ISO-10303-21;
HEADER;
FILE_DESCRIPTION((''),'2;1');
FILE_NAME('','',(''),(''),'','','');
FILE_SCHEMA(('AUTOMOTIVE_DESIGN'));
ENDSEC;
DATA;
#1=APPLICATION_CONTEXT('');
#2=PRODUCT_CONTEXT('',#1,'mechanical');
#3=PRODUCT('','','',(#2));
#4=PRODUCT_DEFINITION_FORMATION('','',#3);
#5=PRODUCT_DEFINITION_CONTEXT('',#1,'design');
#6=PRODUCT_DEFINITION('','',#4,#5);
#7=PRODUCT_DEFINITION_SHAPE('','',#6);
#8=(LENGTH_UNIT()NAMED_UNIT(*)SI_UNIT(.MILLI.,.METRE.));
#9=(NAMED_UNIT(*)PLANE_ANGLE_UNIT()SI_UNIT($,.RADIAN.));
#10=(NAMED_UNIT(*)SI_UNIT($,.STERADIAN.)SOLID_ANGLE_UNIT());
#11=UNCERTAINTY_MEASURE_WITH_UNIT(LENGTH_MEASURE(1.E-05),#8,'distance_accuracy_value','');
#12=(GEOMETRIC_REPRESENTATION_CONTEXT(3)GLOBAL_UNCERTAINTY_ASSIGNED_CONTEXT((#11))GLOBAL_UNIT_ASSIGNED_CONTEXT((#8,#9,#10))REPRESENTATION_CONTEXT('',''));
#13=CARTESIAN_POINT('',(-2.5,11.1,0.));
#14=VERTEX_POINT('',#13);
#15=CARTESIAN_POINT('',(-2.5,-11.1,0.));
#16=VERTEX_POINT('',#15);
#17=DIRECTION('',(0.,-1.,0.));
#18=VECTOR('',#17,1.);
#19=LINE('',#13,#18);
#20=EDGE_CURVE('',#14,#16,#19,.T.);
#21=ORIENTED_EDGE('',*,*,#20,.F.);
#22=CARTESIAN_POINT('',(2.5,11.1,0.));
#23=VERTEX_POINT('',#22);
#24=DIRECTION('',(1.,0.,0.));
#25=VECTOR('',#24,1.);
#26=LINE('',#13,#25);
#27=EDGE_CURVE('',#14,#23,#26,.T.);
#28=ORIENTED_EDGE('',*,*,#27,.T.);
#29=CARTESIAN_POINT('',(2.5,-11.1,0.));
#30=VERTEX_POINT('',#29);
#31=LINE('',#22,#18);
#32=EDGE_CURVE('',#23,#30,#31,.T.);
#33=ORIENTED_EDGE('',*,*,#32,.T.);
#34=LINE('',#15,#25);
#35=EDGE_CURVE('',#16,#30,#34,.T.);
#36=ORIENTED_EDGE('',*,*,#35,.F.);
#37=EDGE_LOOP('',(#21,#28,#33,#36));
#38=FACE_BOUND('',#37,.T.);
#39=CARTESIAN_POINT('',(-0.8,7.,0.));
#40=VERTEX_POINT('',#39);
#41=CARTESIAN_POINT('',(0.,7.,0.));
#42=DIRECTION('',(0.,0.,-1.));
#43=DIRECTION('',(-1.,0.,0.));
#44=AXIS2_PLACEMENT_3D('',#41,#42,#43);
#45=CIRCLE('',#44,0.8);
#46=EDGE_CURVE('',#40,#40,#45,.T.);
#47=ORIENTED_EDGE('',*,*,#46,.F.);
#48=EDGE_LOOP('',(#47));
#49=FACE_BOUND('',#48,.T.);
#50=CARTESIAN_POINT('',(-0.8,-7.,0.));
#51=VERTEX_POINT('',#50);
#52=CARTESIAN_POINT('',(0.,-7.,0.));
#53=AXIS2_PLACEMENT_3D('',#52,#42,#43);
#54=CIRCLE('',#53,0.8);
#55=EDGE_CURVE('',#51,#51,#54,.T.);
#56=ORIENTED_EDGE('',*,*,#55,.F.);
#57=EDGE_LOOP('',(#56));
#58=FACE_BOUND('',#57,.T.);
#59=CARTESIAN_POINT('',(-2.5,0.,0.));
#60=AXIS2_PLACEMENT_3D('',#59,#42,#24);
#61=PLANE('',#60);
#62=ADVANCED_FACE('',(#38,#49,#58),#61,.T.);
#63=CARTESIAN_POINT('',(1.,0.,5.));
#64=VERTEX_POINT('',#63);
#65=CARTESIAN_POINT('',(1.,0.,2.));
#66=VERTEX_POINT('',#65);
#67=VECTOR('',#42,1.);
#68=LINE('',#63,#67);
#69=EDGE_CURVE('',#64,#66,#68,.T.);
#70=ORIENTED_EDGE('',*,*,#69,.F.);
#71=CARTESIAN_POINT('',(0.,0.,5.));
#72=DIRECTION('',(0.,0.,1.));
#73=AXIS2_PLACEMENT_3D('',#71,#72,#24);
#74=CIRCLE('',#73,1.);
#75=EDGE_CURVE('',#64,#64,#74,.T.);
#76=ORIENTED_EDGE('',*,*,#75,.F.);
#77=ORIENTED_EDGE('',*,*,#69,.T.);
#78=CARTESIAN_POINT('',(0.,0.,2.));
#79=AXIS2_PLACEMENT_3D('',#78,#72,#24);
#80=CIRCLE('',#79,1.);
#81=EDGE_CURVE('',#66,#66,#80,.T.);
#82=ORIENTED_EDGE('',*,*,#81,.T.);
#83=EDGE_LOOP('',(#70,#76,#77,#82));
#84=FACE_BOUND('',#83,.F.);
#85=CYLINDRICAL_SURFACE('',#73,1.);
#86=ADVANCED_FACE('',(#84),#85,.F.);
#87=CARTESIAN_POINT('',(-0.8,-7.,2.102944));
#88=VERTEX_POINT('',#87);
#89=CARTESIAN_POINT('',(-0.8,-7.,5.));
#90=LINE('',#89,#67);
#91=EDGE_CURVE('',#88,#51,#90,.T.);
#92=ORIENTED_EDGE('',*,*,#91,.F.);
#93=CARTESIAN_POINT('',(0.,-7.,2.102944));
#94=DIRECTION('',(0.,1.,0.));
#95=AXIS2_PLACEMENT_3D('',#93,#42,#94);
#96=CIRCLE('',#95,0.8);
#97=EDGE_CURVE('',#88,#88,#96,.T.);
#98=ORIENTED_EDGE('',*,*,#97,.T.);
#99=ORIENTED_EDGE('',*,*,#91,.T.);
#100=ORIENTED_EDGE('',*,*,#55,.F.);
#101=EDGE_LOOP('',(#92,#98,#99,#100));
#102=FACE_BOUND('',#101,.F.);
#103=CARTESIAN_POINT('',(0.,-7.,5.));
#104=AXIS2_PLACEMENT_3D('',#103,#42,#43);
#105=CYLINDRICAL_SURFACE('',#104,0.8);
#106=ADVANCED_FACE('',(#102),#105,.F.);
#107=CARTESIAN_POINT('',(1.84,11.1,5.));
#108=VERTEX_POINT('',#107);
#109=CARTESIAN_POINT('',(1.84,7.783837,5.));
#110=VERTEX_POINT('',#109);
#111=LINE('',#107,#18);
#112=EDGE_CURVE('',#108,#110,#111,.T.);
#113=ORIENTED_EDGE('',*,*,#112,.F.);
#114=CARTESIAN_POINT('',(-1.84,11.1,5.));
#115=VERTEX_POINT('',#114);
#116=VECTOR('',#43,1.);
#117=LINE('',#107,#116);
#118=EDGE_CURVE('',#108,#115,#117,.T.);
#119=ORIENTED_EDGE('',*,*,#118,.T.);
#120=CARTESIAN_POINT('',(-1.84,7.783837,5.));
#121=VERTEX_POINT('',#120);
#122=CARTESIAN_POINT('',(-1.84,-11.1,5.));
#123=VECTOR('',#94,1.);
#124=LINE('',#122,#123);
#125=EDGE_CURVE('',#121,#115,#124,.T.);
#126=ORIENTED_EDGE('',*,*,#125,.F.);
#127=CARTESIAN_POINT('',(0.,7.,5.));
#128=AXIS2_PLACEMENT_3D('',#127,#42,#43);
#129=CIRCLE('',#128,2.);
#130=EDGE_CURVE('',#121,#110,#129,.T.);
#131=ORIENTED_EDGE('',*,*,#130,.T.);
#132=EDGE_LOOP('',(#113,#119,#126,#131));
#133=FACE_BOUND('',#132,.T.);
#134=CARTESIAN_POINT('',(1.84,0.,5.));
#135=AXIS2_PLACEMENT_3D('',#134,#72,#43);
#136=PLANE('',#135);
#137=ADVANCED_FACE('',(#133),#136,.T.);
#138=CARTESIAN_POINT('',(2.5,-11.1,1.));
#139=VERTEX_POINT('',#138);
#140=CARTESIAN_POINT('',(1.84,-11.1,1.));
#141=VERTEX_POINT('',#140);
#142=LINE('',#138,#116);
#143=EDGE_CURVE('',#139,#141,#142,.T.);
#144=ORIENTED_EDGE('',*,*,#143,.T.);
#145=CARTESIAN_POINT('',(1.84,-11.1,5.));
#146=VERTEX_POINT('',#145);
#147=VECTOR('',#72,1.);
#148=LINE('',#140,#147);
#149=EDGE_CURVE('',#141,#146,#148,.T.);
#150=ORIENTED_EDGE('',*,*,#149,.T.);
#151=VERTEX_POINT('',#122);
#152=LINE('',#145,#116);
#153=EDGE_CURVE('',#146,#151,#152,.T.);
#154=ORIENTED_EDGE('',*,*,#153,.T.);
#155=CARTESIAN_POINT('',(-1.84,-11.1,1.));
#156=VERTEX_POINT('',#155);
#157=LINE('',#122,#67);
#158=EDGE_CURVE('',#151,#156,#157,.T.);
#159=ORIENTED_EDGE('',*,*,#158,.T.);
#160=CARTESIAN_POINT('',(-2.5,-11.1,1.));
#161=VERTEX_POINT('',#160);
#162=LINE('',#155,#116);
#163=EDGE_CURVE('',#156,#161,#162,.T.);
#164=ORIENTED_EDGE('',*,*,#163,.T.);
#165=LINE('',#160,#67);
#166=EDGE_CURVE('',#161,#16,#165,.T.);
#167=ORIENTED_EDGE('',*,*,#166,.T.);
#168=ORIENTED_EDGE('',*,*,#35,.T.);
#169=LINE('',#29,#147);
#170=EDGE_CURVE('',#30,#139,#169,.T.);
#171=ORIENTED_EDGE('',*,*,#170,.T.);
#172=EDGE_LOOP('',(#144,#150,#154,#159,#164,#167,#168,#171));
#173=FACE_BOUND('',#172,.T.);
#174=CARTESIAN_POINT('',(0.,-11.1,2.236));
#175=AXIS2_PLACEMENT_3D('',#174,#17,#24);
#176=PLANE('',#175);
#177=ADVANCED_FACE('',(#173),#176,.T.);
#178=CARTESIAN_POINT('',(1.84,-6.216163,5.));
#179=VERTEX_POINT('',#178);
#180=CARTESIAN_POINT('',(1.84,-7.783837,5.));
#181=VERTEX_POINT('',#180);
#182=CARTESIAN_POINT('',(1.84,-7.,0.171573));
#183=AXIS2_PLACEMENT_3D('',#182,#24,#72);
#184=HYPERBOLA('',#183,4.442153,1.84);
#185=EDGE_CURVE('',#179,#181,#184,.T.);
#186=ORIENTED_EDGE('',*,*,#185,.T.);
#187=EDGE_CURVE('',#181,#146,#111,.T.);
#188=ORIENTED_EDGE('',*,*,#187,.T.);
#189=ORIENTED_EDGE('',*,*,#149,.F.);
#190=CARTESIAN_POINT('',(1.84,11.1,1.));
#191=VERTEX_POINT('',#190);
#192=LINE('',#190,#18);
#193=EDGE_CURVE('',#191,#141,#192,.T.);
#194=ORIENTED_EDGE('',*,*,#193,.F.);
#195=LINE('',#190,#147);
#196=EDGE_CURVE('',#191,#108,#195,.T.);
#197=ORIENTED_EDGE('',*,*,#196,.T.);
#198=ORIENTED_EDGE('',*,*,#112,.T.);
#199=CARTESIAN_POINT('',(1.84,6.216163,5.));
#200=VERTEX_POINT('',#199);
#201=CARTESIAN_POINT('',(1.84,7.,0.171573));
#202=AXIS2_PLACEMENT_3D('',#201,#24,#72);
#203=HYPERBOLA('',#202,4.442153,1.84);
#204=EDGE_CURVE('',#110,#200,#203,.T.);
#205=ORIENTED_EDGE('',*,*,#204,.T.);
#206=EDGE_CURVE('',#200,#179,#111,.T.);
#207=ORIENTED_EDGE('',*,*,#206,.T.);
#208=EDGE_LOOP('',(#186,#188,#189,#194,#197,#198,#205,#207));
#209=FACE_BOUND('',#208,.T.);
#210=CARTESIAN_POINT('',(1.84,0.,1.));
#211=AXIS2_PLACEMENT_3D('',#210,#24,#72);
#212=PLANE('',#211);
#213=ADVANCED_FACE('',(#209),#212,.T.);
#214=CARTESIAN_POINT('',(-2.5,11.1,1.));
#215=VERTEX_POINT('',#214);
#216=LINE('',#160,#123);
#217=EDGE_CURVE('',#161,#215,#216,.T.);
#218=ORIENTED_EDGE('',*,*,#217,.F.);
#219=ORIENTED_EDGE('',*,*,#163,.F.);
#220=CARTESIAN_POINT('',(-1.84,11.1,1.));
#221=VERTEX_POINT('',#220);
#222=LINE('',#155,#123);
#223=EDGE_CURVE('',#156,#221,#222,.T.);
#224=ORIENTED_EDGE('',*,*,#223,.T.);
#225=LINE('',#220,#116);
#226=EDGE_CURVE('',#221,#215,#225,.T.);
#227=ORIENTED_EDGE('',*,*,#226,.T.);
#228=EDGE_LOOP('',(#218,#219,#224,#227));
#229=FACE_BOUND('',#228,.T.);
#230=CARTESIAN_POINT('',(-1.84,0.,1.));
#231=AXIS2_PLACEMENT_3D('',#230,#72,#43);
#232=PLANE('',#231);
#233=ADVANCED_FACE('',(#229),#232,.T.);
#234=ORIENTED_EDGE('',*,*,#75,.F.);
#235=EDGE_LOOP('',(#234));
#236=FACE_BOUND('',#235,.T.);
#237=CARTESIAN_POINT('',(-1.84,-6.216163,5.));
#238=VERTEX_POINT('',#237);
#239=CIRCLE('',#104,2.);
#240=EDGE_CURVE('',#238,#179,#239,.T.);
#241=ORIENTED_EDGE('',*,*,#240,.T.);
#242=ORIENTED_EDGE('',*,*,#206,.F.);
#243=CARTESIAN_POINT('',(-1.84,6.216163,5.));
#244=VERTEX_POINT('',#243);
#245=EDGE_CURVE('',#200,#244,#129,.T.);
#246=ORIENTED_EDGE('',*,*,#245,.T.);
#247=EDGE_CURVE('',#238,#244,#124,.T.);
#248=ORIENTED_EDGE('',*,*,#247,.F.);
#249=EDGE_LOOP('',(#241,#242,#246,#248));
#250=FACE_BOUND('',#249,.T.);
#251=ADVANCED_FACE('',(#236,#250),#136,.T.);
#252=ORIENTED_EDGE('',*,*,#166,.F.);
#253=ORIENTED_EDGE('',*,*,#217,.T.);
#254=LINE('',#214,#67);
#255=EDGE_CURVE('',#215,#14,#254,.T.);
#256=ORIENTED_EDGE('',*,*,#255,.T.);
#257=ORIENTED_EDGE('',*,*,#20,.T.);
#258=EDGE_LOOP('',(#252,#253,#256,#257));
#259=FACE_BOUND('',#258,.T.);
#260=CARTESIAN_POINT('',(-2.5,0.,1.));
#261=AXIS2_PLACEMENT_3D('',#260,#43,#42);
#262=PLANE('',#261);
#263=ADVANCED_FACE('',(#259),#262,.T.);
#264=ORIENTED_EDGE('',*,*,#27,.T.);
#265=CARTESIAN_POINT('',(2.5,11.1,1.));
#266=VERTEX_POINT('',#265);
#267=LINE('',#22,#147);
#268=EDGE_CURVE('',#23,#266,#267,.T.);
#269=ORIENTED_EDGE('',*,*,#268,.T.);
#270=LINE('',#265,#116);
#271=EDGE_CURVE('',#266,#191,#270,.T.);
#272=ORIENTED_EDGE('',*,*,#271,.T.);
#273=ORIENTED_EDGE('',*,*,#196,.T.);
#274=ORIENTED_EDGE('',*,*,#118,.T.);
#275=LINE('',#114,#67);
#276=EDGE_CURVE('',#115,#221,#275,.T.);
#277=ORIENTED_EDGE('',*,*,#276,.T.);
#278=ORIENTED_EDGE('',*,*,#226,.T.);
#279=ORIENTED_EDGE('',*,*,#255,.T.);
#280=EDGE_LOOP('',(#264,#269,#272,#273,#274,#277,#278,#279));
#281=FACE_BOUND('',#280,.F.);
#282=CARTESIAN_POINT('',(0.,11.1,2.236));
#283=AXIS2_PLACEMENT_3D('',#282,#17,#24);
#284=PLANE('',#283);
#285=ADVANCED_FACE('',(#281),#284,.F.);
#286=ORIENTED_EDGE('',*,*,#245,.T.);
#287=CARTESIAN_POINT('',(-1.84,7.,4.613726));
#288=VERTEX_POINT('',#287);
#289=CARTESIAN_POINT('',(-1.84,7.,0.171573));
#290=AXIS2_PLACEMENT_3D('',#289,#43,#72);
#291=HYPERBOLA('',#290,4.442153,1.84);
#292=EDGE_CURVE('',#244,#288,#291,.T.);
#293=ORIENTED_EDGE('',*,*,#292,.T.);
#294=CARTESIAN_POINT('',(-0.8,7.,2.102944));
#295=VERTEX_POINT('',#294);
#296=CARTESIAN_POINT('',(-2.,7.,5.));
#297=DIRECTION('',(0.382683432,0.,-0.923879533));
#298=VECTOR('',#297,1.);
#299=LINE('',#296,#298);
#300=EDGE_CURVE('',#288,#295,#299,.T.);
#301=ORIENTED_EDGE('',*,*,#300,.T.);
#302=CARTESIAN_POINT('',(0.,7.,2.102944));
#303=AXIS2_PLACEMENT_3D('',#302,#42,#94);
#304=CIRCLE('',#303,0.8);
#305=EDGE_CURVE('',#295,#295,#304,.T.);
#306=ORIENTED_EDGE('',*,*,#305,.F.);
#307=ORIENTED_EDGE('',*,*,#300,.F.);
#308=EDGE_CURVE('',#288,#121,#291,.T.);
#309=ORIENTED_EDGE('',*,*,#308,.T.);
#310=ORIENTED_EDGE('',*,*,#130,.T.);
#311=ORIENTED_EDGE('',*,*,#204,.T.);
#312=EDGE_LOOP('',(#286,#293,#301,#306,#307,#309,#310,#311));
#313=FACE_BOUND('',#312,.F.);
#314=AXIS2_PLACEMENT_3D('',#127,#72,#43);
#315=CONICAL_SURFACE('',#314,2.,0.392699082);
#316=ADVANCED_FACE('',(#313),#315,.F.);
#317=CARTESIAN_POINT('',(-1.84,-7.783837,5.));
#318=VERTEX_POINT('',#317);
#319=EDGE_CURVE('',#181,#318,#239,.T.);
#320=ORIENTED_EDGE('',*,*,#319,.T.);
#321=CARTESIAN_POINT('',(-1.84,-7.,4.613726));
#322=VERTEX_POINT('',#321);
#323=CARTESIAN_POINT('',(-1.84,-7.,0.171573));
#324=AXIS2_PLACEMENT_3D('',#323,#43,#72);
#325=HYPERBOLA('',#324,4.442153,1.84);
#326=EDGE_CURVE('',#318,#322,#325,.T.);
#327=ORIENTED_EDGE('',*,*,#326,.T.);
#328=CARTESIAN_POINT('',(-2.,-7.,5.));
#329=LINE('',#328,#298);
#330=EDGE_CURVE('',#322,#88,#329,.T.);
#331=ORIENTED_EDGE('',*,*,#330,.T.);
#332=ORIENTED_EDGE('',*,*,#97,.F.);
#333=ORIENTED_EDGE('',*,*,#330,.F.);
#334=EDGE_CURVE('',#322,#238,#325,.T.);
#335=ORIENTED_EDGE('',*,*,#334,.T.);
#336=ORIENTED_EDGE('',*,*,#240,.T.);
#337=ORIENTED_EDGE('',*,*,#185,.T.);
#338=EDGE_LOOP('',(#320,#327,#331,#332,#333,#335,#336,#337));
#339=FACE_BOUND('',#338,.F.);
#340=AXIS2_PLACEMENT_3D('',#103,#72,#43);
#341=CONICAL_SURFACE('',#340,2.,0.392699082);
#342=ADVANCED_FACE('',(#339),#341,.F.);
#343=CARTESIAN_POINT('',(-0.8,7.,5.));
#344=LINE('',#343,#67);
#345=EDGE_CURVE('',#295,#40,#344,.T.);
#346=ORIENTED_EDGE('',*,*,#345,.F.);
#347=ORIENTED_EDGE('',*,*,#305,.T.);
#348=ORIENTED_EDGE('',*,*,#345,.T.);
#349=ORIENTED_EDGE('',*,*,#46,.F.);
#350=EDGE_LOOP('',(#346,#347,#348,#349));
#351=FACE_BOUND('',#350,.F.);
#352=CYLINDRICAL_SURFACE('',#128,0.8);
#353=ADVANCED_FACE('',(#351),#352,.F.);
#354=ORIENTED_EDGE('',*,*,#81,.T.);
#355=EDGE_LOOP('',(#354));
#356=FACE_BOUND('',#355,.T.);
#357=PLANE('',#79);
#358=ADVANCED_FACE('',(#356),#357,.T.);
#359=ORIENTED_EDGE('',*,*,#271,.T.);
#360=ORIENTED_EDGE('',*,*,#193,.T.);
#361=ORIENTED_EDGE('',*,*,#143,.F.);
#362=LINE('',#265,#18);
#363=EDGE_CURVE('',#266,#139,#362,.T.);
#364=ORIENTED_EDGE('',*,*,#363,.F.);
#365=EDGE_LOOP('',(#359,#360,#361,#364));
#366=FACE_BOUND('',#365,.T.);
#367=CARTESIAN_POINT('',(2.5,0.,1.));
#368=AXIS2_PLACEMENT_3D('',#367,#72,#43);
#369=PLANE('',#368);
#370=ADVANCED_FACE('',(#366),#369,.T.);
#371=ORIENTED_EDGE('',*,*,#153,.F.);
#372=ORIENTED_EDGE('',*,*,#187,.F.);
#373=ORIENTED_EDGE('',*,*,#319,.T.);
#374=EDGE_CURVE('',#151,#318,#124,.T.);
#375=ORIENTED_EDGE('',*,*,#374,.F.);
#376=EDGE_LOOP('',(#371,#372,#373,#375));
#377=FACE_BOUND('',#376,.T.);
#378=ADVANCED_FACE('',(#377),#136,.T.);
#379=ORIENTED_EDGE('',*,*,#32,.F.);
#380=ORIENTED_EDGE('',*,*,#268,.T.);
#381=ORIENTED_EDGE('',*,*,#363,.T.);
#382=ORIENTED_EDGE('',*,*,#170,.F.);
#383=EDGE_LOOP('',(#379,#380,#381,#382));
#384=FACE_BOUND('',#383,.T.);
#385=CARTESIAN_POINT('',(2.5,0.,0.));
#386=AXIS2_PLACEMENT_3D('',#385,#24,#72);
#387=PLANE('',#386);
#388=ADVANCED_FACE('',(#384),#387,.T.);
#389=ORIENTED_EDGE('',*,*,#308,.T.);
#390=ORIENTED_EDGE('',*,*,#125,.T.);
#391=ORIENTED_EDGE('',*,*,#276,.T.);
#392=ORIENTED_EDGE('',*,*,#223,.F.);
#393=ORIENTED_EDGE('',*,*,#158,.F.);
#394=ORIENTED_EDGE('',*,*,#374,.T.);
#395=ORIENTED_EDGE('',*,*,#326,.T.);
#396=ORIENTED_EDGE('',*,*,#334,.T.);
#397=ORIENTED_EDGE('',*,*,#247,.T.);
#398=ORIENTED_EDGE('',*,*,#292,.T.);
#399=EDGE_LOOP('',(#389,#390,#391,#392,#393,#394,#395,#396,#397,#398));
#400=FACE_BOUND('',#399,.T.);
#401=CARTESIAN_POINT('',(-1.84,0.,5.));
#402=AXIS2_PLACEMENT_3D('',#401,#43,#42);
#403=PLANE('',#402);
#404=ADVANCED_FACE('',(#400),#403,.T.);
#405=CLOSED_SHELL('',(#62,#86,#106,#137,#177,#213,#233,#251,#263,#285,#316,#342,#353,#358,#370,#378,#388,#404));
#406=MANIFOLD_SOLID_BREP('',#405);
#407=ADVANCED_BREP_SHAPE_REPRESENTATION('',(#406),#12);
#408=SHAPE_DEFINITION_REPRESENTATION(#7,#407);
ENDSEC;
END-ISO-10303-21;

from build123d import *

# Parameters (mm, degrees)
F1_DEPTH       = 11.1
F4_D           = 1.6
F4_CSINK_D     = 4
F4_CSINK_ANGLE = 45
F5_R           = 1
F6_DEPTH       = 3


with BuildPart() as f1:
    # F0 (on Front) → F1 (new body, symmetric)
    with BuildSketch(Plane.XZ):
        Polygon((-2.5, 1), (-2.5, 0), (2.5, 0), (2.5, 1), (1.84, 1), (1.84, 5), (-1.84, 5), (-1.84, 1), align=None)
    extrude(amount=F1_DEPTH, both=True)

    # F4 (through all)
    with Locations(Plane.XY.offset(5)):
        with Locations((0, 7), (0, -7)):
            CounterSinkHole(F4_D / 2, F4_CSINK_D / 2, counter_sink_angle=F4_CSINK_ANGLE)

    # F5 (on face) → F6 (cut)
    with BuildSketch(Plane.XY.offset(5)):
        Circle(F5_R)
    extrude(amount=-F6_DEPTH, mode=Mode.SUBTRACT)


solid = f1.part
